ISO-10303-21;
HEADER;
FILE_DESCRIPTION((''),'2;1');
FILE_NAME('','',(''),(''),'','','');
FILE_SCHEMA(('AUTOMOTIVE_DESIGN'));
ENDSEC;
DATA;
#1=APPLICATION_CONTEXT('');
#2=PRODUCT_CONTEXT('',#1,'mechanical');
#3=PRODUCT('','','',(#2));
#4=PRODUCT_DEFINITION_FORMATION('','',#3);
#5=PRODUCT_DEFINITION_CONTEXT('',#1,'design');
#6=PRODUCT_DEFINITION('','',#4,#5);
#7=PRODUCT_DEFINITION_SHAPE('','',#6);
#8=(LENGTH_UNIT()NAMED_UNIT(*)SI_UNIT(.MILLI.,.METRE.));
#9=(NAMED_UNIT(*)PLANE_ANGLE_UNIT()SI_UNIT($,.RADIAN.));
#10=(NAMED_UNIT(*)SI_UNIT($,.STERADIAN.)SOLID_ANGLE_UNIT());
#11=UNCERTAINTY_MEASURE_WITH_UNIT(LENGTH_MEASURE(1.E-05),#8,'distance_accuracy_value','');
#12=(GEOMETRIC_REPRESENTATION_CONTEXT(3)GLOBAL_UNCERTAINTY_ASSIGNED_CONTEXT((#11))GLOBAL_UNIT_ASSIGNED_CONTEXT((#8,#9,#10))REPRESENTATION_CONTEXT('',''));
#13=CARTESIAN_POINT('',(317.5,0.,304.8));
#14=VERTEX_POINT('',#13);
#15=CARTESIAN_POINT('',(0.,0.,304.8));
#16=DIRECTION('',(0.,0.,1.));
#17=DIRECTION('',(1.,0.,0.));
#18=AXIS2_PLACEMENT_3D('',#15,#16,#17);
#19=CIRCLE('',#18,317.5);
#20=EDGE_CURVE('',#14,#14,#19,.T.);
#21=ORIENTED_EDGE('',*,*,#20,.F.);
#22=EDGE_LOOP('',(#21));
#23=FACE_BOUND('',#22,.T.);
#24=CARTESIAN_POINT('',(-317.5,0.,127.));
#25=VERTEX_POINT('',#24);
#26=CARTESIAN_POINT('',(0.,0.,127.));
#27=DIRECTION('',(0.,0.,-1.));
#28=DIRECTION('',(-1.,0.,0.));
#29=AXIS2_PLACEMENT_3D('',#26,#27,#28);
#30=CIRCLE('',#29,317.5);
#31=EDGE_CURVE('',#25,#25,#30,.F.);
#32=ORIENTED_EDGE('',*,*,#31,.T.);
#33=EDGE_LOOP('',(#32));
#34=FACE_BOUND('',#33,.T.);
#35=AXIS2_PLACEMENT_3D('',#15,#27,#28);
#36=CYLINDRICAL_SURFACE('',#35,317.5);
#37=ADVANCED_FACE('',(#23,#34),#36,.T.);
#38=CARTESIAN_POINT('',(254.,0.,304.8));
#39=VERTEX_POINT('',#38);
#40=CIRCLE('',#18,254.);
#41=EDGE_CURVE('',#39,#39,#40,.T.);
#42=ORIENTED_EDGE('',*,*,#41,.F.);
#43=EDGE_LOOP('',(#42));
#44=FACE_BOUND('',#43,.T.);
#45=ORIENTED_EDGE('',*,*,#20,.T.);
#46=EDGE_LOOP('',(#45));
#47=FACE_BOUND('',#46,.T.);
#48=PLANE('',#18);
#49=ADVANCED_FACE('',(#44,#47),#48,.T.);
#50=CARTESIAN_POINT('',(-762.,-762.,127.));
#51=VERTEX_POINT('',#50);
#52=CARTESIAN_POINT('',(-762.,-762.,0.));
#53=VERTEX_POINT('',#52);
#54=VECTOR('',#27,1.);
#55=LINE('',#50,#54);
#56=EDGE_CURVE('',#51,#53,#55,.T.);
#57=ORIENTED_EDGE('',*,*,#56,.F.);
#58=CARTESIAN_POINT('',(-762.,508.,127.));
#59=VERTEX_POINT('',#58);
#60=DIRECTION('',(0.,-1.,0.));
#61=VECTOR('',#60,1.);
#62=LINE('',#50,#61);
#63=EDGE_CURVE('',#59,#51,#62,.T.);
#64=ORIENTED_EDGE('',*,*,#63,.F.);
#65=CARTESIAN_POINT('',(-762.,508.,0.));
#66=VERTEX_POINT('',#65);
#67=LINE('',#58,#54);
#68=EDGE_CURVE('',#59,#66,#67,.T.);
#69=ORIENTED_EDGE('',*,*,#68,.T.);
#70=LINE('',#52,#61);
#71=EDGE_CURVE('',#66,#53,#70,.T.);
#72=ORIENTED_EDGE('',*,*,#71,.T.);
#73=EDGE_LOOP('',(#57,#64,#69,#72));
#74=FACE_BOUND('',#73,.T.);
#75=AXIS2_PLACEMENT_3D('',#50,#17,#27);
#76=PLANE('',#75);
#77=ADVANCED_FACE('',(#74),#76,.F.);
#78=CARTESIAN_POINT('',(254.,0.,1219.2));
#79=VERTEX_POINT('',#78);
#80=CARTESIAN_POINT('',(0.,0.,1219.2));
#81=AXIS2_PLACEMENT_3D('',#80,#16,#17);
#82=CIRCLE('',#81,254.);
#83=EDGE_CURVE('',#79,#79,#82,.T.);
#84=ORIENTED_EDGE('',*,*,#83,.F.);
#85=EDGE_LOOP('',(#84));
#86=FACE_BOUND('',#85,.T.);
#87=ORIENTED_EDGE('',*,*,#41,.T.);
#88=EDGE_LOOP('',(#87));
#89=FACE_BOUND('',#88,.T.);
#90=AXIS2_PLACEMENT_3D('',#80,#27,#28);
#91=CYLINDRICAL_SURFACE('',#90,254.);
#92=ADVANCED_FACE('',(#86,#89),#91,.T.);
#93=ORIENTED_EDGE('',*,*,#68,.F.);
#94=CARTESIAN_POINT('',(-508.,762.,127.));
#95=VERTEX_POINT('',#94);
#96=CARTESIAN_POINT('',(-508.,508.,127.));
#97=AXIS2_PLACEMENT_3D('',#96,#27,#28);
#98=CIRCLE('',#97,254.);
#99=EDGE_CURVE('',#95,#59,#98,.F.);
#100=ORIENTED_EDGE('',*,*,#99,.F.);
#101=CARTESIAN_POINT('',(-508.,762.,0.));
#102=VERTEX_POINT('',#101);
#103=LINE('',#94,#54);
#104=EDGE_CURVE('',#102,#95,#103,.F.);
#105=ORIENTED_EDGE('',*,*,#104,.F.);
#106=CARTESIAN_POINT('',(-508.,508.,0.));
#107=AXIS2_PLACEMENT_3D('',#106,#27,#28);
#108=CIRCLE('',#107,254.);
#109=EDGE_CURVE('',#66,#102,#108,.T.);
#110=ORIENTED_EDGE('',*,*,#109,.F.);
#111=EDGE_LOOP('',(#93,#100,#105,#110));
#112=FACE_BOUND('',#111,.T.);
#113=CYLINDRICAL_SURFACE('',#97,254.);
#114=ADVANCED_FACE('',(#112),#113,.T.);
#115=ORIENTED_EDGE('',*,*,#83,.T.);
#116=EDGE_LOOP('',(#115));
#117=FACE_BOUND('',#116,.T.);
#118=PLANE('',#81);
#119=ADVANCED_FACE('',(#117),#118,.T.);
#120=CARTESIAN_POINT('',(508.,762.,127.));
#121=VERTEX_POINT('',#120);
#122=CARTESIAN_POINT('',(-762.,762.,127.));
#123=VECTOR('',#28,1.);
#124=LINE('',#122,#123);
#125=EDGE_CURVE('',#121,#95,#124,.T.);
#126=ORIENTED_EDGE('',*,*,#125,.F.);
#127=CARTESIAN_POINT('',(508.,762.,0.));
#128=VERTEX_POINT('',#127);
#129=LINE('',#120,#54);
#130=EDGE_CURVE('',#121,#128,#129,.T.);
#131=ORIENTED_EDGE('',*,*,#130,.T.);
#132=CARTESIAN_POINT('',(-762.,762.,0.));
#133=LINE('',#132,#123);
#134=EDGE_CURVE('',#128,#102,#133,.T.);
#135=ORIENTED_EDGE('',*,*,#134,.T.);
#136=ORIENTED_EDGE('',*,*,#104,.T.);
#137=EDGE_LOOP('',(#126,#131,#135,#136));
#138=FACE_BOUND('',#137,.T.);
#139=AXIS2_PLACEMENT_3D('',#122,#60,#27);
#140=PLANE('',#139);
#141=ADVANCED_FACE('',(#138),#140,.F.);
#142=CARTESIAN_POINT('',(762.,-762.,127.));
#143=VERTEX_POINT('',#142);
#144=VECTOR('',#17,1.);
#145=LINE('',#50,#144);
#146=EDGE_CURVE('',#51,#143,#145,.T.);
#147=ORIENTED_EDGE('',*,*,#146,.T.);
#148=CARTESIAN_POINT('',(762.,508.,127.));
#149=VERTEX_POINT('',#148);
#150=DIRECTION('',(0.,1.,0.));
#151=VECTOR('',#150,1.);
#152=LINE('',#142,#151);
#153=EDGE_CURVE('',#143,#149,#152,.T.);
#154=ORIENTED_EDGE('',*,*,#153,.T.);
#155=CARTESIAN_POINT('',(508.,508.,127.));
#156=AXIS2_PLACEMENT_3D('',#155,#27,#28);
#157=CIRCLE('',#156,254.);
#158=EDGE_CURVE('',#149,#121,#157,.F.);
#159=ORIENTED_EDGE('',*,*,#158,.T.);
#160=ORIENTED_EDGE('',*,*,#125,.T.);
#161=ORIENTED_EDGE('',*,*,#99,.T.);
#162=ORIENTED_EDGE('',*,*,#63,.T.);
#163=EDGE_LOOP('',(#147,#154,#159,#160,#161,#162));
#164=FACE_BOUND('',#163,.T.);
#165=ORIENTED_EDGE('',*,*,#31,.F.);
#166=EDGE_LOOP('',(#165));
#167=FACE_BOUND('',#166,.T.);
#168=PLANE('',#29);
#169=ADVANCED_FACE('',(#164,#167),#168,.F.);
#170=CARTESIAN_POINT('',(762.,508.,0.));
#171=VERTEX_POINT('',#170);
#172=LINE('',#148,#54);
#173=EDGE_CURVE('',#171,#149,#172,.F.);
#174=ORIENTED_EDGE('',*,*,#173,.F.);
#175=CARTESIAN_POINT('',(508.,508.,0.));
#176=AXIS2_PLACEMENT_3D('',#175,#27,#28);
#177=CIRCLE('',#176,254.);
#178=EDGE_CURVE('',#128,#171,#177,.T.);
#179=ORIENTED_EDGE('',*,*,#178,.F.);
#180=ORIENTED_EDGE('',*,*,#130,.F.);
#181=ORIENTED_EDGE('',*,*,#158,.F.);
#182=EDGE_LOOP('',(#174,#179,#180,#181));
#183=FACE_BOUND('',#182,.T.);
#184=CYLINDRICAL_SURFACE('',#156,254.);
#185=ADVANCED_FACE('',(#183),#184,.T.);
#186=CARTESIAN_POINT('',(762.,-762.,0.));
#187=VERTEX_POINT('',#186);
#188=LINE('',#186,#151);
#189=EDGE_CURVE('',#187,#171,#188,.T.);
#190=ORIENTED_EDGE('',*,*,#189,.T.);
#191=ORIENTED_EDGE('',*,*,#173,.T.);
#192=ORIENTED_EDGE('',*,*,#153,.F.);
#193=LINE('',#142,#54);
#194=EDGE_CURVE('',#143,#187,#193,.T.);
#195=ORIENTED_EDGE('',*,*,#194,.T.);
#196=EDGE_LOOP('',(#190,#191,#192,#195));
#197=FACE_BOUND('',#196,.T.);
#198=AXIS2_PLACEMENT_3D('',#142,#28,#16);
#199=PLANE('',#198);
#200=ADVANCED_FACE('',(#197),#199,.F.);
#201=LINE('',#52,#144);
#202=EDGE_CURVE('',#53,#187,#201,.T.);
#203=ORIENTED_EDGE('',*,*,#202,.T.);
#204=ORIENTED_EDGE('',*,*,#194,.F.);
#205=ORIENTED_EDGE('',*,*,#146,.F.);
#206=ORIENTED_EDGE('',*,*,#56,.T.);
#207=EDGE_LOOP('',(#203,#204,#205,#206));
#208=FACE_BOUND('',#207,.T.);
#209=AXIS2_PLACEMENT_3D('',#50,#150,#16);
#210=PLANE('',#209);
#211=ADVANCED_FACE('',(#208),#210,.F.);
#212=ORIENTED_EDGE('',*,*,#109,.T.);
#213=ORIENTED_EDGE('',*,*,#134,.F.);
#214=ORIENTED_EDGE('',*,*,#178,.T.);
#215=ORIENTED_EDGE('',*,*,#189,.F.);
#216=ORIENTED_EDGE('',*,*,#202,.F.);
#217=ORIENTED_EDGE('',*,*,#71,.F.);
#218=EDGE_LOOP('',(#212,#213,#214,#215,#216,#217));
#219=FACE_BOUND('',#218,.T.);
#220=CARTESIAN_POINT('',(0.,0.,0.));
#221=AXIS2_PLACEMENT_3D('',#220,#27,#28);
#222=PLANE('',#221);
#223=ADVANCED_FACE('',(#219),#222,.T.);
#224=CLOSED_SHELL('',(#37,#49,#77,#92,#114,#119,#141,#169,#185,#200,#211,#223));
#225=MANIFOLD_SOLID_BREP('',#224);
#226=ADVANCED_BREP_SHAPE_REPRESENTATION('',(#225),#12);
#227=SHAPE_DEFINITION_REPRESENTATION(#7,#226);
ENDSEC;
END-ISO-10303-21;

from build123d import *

# Parameters (mm, degrees)
SKETCH1_W           = 1524
SKETCH1_H           = 1524
BOSS_EXTRUDE1_DEPTH = 127
SKETCH2_R           = 254
BOSS_EXTRUDE2_DEPTH = 1092.2
SKETCH3_R           = 317.5
BOSS_EXTRUDE3_DEPTH = 177.8
FILLET1_R           = 254


with BuildPart() as part:
    # Sketch1 → Boss-Extrude1 (new body)
    with BuildSketch(Plane.XY):
        Rectangle(SKETCH1_W, SKETCH1_H)
    extrude(amount=BOSS_EXTRUDE1_DEPTH)

    # Sketch2 → Boss-Extrude2 (add)
    with BuildSketch(Plane.XY.offset(127)):
        Circle(SKETCH2_R)
    extrude(amount=BOSS_EXTRUDE2_DEPTH)

    # Sketch3 → Boss-Extrude3 (add)
    with BuildSketch(Plane.XY.offset(127)):
        with Locations(Location((0, 0, 0), (0, 0, 180))):
            Circle(SKETCH3_R)
    extrude(amount=BOSS_EXTRUDE3_DEPTH)

    # Fillet1
    fillet1_edges = [part.edges().sort_by_distance(p)[0] for p in [
        (-762, 762, 63.5),
        (762, 762, 63.5),
    ]]
    fillet(fillet1_edges, radius=FILLET1_R)


solid = part.part
